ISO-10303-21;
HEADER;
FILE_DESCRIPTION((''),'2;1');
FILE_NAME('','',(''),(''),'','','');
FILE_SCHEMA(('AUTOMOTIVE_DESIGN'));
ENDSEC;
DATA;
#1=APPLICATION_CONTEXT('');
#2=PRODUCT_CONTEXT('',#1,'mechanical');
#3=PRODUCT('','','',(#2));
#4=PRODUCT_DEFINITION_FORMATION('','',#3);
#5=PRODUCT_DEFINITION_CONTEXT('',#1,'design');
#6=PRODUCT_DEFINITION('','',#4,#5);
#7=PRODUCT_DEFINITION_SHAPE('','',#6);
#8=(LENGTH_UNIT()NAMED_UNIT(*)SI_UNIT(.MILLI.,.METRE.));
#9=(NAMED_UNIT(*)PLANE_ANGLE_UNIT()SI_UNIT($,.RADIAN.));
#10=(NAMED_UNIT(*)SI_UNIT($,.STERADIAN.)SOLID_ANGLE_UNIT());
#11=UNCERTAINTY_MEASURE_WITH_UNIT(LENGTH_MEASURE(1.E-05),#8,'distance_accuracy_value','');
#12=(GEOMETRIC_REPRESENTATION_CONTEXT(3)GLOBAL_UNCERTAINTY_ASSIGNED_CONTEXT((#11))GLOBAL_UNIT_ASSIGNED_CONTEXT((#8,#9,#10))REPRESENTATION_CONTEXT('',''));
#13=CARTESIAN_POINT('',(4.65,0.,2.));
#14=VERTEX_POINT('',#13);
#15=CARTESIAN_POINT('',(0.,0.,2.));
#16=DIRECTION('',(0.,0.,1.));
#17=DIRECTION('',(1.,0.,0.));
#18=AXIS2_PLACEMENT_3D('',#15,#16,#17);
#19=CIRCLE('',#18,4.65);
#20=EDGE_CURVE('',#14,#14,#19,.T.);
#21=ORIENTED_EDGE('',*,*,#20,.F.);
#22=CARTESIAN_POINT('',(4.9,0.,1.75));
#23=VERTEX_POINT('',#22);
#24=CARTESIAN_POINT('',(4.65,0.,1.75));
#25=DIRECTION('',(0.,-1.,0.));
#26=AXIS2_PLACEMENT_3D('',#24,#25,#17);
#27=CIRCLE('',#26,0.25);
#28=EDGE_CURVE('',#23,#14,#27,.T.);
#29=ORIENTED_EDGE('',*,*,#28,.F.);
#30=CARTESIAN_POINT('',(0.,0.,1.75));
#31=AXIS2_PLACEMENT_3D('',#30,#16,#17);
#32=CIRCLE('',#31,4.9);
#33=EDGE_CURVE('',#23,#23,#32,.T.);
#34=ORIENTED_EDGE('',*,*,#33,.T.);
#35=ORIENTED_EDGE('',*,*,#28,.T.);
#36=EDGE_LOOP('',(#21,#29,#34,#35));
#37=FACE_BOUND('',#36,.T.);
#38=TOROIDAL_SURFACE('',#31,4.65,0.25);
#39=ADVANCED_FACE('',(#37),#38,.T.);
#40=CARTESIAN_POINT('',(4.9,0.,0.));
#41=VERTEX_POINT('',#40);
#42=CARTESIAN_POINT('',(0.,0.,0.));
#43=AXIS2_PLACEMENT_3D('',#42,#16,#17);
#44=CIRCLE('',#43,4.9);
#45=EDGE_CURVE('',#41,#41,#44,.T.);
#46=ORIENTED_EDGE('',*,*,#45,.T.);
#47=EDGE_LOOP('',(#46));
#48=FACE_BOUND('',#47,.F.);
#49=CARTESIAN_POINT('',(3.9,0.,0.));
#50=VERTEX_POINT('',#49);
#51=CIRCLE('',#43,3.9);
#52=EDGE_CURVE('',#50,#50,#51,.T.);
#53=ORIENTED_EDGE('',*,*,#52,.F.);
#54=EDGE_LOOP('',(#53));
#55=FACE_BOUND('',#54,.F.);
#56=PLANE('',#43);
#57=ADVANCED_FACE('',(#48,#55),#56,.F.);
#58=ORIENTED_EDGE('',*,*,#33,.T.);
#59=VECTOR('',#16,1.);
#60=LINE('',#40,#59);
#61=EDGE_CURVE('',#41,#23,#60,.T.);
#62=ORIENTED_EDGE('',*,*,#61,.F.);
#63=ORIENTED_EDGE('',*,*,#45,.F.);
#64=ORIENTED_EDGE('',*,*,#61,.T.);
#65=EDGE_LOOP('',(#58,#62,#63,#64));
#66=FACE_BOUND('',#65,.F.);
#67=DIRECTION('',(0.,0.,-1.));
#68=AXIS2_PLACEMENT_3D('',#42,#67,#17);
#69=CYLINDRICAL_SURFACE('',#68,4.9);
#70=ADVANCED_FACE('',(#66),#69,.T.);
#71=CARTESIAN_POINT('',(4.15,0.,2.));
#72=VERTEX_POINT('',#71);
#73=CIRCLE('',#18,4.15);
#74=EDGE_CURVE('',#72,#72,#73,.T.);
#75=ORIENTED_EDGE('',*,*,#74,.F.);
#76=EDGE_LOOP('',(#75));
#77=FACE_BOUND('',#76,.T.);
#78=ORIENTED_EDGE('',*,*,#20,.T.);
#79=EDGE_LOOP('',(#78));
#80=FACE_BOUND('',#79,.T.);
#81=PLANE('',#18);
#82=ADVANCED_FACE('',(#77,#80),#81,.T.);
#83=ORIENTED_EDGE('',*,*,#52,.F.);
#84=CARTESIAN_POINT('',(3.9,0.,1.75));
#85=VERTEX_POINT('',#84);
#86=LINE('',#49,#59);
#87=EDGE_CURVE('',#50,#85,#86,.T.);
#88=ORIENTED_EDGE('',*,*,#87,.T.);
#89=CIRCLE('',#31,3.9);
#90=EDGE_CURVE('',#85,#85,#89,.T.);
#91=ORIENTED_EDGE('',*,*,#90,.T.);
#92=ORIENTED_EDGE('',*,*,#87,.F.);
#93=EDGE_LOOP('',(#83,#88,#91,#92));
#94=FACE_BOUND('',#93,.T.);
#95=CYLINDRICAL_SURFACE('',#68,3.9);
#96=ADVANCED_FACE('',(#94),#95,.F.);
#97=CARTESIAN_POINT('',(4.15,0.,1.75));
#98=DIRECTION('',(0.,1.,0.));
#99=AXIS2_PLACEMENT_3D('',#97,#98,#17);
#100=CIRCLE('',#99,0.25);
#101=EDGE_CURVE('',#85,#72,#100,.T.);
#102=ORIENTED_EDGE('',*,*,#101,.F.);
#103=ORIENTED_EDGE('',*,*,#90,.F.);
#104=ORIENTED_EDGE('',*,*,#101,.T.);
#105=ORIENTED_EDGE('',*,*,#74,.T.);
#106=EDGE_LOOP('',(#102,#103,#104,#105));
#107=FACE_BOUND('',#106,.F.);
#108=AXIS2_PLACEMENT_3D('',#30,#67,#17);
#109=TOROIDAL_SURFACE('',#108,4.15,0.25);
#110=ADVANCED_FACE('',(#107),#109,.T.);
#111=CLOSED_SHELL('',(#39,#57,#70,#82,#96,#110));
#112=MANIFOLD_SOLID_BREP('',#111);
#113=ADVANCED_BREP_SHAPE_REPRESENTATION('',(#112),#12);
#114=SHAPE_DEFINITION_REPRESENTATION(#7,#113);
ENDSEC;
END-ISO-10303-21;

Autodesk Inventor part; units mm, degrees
ref_plane "YZ Plane" through (0, 0, 0) normal (1, 0, 0) x (0, 1, 0)
ref_plane "XZ Plane" through (0, 0, 0) normal (0, 1, 0) x (-1, 0, 0)
ref_plane "XY Plane" through (0, 0, 0) normal (0, 0, 1) x (1, 0, 0)
sketch "Sketch1" plane through (0, 0, 0) normal (0, 0, 1) x (1, 0, 0)
  circle A0 centre (0, 0) radius 3.9
  circle A1 centre (0, 0) radius 4.9
  dimension "d0" = 7.8
  dimension "d1" = 1
extrude "Extrusion1" add sketch "Sketch1" along normal blind 2
fillet "Fillet1" radius 0.25 2 edges at (-3.9, 0, 2) (-4.9, 0, 2)
equation "\"d0\" = IG_shaftDiameter + W_holesClearance"
equation "\"d1\" = BR_bearingThickness"
equation "\"d2\" = W_wallThickness"
equation "\"Wheel_Related_W_\" = 0"
equation "\"W_innerDepth\" = 4"
equation "\"W_wallThickness\" = 2"
equation "\"W_holesClearance\" = 0.3"
equation "\"W_outerGearHoleDiameter\" = 5.3"
equation "\"W_innerGearHoleDiameter\" = 10.1"
equation "\"TempSpotReserved7\" = 0"
equation "\"TempSpotReserved8\" = 0"
equation "\"TempSpotReserved9\" = 0"
equation "\"TempSpotReserved10\" = 0"
equation "\"Inner_Gear_Related_IG_\" = 0"
equation "\"IG_shaftDiameter\" = 7.5"
equation "\"IG_shaftLength\" = 17"
equation "\"IG_gearThickness\" = 2"
equation "\"IG_ratioToOuterGear\" = 1.25"
equation "\"TempSpotReserved16\" = 0"
equation "\"TempSpotReserved17\" = 0"
equation "\"TempSpotReserved18\" = 0"
equation "\"TempSpotReserved19\" = 0"
equation "\"TempSpotReserved20\" = 0"
equation "\"Outer_Gear_Related_OG_\" = 0"
equation "\"OG_distanceFromCenter\" = 22.5"
equation "\"OG_shaftDiameter\" = 5"
equation "\"OG_gearDiameter\" = 25"
equation "\"OG_shaftLength\" = 9"
equation "\"OG_gearThickness\" = 2"
equation "\"TempSpotReserved27\" = 0"
equation "\"TempSpotReserved28\" = 0"
equation "\"TempSpotReserved29\" = 0"
equation "\"TempSpotReserved30\" = 0"
equation "\"Leg_Extensions_Related_LE_\" = 0"
equation "\"LE_baseDiameter\" = 5"
equation "\"LE_maxLength\" = 23.67256"
equation "\"LE_thickness\" = 2.5"
equation "\"TempSpotReserved47\" = 0"
equation "\"B_bearingThickness\" = 1"
equation "\"TempSpotReserved50\" = 0"
equation "\"TempSpotReserved43\" = 0"
equation "\"TempSpotReserved45\" = 0"
equation "\"Thisisatest\" = 25.4"
equation "\"TempSpotReserved48\" = 0"
equation "\"TempSpotReserved46\" = 0"
equation "\"TempSpotReserved44\" = 0"
equation "\"TempSpotReserved49\" = 0"
equation "\"TempSpotReserved35\" = 0"
equation "\"TempSpotReserved39\" = 0"
equation "\"TempSpotReserved38\" = 0"
equation "\"TempSpotReserved37\" = 0"
equation "\"LE_offsetAboveOuterGear\" = 0"
equation "\"TempSpotReserved36\" = 0"
equation "\"TempSpotReserved40\" = 0"
equation "\"Bearing_Related_B_\" = 0"
equation "\"TempSpotReserved42\" = 0"
equation "\"OG_skirtOffset\" = 5"
equation "\"OG_skirtThickness\" = 1"
equation "\"IG_skirtThickness\" = 2"
equation "\"IG_extentionLength\" = 19.5"
equation "\"IG_extentionThickness\" = 3"
equation "\"IG_slitWidth\" = 4"
equation "\"IG_slitlength\" = 8"
equation "\"IG_slitDistanceFromCenterHole\" = 7"
equation "\"IG_slitClearance\" = 0.2"
equation "\"Reserved_10\" = 0"
equation "\"Reserved_9\" = 0"
equation "\"Reserved_11\" = 0"
equation "\"Reserved_12\" = 0"
equation "\"Reserved_8\" = 0"
equation "\"Reserved_7\" = 0"
equation "\"Reserved_26\" = 0"
equation "\"Reserved_20\" = 0"
equation "\"Reserved_22\" = 0"
equation "\"Reserved_23\" = 0"
equation "\"Reserved_25\" = 0"
equation "\"Reserved_24\" = 0"
equation "\"Reserved_21\" = 0"
equation "\"Reserved_19\" = 0"
equation "\"Reserved_27\" = 0"
equation "\"Reserved_14\" = 0"
equation "\"Reserved_15\" = 0"
equation "\"Reserved_16\" = 0"
equation "\"Reserved_13\" = 0"
equation "\"Reserved_17\" = 0"
equation "\"Reserved_18\" = 0"
equation "\"Bearing_Related_BR_\" = 0"
equation "\"BR_bearingThickness\" = 1"
equation "\"Block_Related_BL_\" = 0"
equation "\"BL_width\" = 3.8"
equation "\"BL_length\" = 7.8"
equation "\"W_filletRadius\" = 0.25"
equation "\"W_extrutsionTaperAngle\" = 2deg"
equation "\"OG_protrudeDistance\" = 3"
equation "\"IG_dAxleDepth\" = 5"
equation "\"IG_dAxleShort\" = 1.5"
equation "\"IG_dAxleCircleDiameter\" = 2"
equation "\"IG_gearRatio\" = 1.25"
properties part number "bearing"
